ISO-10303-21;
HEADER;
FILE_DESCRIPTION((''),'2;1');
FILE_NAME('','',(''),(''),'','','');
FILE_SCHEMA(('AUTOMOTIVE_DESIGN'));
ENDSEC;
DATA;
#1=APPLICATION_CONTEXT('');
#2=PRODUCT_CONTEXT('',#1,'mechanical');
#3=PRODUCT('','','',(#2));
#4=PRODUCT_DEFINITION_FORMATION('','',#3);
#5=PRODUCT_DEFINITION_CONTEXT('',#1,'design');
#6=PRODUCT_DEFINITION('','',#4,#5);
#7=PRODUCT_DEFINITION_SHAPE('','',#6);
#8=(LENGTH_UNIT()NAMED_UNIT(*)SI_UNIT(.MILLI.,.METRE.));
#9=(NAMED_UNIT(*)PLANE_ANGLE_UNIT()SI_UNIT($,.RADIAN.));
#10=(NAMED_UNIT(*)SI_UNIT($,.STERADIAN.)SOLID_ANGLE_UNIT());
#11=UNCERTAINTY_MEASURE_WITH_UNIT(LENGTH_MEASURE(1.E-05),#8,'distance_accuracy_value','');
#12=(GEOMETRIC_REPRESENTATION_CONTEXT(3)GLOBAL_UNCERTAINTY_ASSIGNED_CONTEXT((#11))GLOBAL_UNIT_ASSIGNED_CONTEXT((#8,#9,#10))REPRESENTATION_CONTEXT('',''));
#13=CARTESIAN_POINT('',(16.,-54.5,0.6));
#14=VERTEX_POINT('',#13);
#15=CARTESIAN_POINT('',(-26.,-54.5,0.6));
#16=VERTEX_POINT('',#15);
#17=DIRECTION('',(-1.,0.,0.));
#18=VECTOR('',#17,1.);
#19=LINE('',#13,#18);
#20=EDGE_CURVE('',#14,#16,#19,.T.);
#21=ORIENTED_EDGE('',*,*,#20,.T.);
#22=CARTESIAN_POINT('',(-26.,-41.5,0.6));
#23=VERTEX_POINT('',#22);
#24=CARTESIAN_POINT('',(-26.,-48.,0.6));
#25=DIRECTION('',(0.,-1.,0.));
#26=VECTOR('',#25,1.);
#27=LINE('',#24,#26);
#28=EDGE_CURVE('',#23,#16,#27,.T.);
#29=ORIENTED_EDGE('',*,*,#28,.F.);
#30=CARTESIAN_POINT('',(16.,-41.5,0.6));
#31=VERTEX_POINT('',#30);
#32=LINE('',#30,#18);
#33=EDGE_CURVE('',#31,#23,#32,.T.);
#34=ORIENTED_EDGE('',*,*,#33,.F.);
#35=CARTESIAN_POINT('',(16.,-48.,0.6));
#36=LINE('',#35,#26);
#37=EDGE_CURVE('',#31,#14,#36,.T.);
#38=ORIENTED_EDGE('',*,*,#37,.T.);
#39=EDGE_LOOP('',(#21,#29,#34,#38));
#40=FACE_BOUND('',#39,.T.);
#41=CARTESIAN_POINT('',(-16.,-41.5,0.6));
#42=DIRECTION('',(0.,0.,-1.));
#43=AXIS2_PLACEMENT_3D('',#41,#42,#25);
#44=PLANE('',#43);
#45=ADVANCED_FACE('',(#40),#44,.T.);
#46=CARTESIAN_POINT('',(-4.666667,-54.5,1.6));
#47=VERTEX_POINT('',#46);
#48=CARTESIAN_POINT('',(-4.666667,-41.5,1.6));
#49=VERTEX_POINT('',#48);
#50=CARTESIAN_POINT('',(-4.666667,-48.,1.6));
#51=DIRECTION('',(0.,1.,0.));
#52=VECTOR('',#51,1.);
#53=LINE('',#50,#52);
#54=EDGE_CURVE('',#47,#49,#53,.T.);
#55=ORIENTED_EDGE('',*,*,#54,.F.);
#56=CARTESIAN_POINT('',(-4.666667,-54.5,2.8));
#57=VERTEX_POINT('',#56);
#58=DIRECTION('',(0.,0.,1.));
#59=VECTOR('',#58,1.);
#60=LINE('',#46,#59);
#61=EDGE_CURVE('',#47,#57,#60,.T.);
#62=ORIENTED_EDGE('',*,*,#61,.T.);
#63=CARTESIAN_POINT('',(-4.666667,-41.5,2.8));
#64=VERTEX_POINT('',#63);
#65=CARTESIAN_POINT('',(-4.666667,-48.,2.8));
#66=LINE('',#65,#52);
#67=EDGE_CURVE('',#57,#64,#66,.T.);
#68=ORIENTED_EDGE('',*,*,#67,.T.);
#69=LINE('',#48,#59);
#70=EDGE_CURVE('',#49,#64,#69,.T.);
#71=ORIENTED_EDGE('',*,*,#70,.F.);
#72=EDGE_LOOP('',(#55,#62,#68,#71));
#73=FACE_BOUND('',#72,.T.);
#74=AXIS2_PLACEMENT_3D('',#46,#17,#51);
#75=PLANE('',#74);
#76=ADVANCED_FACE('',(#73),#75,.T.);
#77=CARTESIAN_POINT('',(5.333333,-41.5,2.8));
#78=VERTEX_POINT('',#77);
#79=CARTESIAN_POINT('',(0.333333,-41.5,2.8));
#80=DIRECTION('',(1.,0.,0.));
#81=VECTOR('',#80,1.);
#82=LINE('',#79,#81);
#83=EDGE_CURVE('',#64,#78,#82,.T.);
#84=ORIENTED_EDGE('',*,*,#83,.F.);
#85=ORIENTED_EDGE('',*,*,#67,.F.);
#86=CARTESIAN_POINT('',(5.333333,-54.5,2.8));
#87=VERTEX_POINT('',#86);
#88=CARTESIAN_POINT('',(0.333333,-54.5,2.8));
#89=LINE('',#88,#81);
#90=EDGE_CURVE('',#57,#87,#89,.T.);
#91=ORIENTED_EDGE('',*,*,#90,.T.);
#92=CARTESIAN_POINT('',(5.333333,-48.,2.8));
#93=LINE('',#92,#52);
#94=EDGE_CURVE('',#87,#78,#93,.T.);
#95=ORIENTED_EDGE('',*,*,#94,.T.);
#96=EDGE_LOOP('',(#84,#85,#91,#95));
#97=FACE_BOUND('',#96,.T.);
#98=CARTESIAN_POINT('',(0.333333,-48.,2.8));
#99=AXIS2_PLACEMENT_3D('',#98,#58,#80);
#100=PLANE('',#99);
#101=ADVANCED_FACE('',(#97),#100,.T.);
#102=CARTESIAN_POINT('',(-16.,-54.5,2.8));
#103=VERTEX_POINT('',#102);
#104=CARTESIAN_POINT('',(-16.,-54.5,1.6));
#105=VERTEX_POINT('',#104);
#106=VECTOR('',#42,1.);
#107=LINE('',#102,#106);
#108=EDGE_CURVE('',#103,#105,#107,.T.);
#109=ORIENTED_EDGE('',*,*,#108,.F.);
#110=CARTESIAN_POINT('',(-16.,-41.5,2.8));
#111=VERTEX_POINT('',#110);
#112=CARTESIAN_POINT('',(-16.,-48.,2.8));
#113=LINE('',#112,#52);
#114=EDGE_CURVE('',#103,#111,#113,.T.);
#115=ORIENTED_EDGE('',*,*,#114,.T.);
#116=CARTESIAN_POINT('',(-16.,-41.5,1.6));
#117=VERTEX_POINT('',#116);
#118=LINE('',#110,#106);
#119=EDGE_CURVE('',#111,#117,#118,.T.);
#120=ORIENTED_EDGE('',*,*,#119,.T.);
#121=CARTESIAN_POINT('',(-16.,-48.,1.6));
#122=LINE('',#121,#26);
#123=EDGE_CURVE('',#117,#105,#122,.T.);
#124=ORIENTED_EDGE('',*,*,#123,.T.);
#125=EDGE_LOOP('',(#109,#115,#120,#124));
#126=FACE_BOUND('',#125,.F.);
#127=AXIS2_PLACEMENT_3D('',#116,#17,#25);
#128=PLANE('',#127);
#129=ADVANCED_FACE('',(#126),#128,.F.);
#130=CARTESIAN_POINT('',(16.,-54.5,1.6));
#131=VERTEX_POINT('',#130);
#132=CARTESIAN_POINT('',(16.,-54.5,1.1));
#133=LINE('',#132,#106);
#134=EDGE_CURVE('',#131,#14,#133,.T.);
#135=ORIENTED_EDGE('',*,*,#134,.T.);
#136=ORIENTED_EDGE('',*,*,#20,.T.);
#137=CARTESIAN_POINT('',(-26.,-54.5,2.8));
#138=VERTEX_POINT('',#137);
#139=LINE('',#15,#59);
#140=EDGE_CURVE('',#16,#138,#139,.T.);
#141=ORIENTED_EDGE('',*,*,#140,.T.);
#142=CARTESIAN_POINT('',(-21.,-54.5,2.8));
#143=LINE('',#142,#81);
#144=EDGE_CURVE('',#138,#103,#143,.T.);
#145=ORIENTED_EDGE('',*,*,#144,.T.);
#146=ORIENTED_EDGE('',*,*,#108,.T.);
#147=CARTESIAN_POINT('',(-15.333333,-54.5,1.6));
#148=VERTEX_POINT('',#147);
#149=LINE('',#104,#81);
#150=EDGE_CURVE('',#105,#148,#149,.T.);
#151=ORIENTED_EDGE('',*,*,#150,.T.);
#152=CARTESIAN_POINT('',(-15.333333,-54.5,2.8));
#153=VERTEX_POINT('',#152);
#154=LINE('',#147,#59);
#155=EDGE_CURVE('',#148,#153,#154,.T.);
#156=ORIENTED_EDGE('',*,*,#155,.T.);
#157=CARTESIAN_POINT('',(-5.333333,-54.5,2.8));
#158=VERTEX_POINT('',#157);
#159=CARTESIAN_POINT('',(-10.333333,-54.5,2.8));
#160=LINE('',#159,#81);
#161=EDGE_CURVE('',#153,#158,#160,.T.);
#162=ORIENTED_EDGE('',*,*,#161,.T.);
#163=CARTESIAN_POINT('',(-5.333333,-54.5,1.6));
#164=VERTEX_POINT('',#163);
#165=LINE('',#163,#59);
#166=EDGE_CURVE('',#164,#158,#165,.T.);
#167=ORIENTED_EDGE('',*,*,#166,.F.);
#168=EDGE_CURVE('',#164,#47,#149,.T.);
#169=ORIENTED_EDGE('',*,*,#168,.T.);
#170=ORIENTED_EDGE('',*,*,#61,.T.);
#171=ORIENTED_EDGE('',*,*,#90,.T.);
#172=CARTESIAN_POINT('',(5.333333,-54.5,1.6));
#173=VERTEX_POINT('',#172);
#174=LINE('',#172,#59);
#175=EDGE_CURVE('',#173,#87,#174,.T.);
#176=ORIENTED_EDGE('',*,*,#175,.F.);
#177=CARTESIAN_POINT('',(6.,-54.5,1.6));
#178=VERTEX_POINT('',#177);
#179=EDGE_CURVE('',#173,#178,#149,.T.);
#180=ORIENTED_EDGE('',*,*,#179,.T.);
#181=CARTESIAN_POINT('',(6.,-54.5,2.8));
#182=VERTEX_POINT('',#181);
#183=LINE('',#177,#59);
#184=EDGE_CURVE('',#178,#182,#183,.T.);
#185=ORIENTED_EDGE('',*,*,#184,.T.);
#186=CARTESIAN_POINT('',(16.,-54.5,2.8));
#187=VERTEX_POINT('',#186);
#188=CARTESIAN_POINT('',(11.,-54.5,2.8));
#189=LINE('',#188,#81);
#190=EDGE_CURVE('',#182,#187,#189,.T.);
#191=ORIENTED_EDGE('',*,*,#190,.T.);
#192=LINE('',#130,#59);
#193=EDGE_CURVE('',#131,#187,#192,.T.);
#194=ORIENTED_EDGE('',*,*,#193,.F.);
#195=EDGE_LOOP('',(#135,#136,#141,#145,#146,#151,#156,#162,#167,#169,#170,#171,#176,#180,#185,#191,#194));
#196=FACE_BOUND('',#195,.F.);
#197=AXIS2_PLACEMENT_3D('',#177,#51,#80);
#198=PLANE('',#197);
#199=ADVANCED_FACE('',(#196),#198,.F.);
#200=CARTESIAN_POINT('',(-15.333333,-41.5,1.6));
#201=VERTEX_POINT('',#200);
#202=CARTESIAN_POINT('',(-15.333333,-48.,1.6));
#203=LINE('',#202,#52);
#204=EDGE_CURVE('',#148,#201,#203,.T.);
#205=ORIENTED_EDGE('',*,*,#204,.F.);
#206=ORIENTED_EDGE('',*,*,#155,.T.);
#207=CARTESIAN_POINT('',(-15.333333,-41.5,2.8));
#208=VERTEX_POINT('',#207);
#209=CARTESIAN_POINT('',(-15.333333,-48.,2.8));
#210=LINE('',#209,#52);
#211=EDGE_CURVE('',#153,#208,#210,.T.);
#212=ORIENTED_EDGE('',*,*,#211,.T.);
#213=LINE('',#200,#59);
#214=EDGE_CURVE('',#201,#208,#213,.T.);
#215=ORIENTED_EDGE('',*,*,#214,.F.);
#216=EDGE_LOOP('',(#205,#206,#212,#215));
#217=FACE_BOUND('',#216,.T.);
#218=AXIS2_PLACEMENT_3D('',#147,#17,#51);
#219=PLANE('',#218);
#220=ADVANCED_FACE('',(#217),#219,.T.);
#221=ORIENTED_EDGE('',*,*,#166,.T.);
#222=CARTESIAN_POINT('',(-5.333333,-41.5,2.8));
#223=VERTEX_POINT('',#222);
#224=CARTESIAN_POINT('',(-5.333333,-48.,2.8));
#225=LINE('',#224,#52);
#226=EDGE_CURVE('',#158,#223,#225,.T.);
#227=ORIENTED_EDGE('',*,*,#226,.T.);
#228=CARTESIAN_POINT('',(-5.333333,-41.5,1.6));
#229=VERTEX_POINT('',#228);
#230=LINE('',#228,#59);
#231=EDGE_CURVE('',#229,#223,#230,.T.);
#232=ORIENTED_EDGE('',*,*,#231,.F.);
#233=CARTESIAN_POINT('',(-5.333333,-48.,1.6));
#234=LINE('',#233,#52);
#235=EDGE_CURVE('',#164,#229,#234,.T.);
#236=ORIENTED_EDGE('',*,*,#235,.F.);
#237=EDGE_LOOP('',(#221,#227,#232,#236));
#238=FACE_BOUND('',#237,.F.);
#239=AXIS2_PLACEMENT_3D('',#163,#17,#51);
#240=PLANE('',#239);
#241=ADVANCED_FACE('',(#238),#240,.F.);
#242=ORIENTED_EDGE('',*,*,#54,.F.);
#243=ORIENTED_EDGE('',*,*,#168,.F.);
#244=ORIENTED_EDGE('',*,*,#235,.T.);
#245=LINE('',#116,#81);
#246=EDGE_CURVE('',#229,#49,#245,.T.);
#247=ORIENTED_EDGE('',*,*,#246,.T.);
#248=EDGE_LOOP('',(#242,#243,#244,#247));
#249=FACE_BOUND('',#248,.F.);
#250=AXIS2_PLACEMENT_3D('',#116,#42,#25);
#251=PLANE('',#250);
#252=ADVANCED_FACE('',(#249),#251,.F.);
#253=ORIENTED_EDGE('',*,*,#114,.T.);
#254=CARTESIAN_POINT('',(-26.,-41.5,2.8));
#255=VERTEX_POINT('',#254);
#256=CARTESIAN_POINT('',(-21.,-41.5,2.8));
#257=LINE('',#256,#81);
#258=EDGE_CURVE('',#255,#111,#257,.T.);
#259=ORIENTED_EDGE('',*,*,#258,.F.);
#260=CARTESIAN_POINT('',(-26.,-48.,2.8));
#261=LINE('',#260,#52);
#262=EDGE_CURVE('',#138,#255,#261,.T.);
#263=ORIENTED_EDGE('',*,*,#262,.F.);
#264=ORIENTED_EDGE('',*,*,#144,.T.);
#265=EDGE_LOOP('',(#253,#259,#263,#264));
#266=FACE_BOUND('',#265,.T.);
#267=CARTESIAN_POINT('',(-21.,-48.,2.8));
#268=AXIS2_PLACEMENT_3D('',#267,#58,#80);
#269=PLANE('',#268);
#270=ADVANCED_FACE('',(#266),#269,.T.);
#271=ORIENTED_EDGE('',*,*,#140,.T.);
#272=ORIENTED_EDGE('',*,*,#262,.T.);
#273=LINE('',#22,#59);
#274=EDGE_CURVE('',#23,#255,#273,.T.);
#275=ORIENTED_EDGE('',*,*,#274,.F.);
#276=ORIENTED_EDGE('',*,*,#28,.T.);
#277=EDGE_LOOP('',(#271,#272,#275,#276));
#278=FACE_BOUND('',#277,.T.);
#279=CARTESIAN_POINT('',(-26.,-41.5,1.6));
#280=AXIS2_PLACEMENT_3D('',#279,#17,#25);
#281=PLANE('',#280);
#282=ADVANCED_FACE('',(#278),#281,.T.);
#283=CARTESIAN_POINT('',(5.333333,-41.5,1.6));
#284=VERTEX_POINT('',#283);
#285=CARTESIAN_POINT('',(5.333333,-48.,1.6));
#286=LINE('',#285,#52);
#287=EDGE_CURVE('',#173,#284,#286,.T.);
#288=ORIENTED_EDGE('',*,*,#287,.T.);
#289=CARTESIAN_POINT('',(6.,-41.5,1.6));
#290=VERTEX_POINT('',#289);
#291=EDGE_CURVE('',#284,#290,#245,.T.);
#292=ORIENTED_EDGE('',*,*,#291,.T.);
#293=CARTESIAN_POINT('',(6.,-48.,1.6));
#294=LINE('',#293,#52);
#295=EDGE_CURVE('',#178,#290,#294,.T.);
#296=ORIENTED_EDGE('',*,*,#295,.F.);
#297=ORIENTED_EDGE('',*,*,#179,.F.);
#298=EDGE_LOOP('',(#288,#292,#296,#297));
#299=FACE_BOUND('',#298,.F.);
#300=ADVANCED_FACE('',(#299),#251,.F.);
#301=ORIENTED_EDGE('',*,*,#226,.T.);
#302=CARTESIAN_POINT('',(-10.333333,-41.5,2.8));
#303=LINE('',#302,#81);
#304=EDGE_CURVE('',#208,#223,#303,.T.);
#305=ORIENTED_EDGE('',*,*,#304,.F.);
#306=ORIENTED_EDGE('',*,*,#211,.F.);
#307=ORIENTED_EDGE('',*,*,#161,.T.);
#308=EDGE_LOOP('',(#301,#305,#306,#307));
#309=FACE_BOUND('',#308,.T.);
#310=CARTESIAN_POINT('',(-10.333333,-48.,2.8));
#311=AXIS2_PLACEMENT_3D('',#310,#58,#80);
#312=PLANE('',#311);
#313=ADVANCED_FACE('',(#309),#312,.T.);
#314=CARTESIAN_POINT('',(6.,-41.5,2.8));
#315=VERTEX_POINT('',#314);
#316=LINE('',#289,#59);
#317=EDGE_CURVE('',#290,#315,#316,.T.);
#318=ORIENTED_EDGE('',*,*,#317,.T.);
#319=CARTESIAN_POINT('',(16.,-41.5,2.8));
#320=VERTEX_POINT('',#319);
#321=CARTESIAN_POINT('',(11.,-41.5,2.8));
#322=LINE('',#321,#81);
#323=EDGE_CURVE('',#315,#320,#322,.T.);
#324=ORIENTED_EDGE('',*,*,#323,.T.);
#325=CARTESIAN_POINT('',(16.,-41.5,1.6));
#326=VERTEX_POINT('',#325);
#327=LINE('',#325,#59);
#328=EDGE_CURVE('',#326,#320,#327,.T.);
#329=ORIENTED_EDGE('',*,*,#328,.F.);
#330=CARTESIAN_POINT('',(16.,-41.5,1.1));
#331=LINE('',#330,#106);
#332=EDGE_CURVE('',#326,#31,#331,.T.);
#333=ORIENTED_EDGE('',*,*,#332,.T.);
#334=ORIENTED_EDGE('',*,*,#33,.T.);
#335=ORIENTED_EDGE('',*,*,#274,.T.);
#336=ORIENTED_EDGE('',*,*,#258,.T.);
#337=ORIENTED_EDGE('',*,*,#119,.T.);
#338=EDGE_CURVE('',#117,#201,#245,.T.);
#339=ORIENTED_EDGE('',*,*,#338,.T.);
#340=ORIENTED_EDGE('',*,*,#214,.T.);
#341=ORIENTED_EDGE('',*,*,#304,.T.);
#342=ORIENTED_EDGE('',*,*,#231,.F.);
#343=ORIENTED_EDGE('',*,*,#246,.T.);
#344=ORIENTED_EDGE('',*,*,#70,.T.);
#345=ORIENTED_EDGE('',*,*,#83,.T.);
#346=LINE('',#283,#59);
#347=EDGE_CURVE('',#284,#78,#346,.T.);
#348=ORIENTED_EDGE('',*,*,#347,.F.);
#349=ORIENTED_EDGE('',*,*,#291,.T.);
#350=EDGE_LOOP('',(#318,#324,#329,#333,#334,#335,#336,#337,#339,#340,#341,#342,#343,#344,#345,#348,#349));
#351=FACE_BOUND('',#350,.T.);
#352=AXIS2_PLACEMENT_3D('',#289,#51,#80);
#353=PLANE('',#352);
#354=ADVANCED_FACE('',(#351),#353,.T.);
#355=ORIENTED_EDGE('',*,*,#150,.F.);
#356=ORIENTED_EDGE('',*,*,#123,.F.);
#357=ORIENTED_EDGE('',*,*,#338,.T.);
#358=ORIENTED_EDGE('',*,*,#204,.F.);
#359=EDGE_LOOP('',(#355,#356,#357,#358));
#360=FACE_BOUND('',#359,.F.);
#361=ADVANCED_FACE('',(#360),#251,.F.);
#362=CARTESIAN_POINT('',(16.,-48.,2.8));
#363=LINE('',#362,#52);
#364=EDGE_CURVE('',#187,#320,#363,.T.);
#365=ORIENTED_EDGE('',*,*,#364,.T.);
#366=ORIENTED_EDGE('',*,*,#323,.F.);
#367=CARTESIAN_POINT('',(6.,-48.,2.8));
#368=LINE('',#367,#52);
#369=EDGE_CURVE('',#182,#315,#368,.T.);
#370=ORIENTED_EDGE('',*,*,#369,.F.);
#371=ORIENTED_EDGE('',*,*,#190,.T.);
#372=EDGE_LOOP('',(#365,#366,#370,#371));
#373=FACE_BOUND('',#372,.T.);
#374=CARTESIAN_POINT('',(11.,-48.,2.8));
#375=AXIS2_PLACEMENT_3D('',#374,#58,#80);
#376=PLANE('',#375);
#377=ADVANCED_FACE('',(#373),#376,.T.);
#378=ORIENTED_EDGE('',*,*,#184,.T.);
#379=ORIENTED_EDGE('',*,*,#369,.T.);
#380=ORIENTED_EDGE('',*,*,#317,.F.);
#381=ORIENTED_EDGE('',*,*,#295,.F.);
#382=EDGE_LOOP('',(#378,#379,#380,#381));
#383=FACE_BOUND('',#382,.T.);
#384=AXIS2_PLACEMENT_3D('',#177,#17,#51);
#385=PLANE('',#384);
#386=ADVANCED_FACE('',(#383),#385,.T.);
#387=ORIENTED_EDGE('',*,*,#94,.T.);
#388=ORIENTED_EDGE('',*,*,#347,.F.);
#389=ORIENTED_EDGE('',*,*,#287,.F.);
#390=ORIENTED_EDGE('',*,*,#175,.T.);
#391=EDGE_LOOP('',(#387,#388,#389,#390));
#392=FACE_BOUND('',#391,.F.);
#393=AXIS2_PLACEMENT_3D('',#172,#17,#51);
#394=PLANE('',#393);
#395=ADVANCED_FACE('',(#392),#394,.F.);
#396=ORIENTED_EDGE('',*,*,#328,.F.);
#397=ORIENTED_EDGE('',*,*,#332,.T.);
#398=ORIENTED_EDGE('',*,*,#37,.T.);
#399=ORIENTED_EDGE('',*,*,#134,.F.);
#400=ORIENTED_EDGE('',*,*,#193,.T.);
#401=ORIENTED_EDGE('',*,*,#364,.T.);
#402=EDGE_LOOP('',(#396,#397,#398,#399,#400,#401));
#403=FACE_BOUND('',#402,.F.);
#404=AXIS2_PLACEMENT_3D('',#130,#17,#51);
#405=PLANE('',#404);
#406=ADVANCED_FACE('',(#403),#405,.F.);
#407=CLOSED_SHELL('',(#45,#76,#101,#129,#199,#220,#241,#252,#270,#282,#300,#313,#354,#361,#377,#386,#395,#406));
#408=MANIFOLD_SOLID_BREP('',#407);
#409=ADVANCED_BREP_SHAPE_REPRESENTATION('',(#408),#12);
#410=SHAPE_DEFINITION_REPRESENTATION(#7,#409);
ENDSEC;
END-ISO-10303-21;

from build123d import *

# Parameters (mm, degrees)
SKETCH021_W            = 10
SKETCH021_H            = 13
PAD_DEPTH              = 1.2
PAD_FACE5_W            = 13
PAD_FACE5_H            = 10
PAD008_DEPTH           = 1
PAD008_FACE8_W         = 13
PAD008_FACE8_H         = 1
PAD009_DEPTH           = 32
LINEARPATTERN004_COUNT = 4
LINEARPATTERN004_PITCH = 10.6666666667


with BuildPart() as part:
    # Sketch021 → Pad (new body)
    with BuildSketch(Plane.XY):
        Rectangle(SKETCH021_W, SKETCH021_H)
    pad = extrude(amount=PAD_DEPTH)

    # Pad Face5 → Pad008 (add)
    with BuildSketch(Plane(origin=(0, 0, 0), x_dir=(0, -1, 0), z_dir=(0, 0, -1))):
        Rectangle(PAD_FACE5_W, PAD_FACE5_H)
    extrude(amount=PAD008_DEPTH)

    # Pad008 Face8 → Pad009 (add)
    with BuildSketch(Plane(origin=(5, 0, -0.5), x_dir=(0, -1, 0), z_dir=(1, 0, 0))):
        Rectangle(PAD008_FACE8_W, PAD008_FACE8_H)
    extrude(amount=PAD009_DEPTH)

    # LinearPattern004: Pad ×4
    with Locations(*[(i * LINEARPATTERN004_PITCH, 0, 0) for i in range(1, LINEARPATTERN004_COUNT)]):
        add(pad)


with BuildPart() as part_1:
    # Body004 placement: moved
    add(part.part.moved(Location((-21, -48, 1.6))))


solid = part_1.part
